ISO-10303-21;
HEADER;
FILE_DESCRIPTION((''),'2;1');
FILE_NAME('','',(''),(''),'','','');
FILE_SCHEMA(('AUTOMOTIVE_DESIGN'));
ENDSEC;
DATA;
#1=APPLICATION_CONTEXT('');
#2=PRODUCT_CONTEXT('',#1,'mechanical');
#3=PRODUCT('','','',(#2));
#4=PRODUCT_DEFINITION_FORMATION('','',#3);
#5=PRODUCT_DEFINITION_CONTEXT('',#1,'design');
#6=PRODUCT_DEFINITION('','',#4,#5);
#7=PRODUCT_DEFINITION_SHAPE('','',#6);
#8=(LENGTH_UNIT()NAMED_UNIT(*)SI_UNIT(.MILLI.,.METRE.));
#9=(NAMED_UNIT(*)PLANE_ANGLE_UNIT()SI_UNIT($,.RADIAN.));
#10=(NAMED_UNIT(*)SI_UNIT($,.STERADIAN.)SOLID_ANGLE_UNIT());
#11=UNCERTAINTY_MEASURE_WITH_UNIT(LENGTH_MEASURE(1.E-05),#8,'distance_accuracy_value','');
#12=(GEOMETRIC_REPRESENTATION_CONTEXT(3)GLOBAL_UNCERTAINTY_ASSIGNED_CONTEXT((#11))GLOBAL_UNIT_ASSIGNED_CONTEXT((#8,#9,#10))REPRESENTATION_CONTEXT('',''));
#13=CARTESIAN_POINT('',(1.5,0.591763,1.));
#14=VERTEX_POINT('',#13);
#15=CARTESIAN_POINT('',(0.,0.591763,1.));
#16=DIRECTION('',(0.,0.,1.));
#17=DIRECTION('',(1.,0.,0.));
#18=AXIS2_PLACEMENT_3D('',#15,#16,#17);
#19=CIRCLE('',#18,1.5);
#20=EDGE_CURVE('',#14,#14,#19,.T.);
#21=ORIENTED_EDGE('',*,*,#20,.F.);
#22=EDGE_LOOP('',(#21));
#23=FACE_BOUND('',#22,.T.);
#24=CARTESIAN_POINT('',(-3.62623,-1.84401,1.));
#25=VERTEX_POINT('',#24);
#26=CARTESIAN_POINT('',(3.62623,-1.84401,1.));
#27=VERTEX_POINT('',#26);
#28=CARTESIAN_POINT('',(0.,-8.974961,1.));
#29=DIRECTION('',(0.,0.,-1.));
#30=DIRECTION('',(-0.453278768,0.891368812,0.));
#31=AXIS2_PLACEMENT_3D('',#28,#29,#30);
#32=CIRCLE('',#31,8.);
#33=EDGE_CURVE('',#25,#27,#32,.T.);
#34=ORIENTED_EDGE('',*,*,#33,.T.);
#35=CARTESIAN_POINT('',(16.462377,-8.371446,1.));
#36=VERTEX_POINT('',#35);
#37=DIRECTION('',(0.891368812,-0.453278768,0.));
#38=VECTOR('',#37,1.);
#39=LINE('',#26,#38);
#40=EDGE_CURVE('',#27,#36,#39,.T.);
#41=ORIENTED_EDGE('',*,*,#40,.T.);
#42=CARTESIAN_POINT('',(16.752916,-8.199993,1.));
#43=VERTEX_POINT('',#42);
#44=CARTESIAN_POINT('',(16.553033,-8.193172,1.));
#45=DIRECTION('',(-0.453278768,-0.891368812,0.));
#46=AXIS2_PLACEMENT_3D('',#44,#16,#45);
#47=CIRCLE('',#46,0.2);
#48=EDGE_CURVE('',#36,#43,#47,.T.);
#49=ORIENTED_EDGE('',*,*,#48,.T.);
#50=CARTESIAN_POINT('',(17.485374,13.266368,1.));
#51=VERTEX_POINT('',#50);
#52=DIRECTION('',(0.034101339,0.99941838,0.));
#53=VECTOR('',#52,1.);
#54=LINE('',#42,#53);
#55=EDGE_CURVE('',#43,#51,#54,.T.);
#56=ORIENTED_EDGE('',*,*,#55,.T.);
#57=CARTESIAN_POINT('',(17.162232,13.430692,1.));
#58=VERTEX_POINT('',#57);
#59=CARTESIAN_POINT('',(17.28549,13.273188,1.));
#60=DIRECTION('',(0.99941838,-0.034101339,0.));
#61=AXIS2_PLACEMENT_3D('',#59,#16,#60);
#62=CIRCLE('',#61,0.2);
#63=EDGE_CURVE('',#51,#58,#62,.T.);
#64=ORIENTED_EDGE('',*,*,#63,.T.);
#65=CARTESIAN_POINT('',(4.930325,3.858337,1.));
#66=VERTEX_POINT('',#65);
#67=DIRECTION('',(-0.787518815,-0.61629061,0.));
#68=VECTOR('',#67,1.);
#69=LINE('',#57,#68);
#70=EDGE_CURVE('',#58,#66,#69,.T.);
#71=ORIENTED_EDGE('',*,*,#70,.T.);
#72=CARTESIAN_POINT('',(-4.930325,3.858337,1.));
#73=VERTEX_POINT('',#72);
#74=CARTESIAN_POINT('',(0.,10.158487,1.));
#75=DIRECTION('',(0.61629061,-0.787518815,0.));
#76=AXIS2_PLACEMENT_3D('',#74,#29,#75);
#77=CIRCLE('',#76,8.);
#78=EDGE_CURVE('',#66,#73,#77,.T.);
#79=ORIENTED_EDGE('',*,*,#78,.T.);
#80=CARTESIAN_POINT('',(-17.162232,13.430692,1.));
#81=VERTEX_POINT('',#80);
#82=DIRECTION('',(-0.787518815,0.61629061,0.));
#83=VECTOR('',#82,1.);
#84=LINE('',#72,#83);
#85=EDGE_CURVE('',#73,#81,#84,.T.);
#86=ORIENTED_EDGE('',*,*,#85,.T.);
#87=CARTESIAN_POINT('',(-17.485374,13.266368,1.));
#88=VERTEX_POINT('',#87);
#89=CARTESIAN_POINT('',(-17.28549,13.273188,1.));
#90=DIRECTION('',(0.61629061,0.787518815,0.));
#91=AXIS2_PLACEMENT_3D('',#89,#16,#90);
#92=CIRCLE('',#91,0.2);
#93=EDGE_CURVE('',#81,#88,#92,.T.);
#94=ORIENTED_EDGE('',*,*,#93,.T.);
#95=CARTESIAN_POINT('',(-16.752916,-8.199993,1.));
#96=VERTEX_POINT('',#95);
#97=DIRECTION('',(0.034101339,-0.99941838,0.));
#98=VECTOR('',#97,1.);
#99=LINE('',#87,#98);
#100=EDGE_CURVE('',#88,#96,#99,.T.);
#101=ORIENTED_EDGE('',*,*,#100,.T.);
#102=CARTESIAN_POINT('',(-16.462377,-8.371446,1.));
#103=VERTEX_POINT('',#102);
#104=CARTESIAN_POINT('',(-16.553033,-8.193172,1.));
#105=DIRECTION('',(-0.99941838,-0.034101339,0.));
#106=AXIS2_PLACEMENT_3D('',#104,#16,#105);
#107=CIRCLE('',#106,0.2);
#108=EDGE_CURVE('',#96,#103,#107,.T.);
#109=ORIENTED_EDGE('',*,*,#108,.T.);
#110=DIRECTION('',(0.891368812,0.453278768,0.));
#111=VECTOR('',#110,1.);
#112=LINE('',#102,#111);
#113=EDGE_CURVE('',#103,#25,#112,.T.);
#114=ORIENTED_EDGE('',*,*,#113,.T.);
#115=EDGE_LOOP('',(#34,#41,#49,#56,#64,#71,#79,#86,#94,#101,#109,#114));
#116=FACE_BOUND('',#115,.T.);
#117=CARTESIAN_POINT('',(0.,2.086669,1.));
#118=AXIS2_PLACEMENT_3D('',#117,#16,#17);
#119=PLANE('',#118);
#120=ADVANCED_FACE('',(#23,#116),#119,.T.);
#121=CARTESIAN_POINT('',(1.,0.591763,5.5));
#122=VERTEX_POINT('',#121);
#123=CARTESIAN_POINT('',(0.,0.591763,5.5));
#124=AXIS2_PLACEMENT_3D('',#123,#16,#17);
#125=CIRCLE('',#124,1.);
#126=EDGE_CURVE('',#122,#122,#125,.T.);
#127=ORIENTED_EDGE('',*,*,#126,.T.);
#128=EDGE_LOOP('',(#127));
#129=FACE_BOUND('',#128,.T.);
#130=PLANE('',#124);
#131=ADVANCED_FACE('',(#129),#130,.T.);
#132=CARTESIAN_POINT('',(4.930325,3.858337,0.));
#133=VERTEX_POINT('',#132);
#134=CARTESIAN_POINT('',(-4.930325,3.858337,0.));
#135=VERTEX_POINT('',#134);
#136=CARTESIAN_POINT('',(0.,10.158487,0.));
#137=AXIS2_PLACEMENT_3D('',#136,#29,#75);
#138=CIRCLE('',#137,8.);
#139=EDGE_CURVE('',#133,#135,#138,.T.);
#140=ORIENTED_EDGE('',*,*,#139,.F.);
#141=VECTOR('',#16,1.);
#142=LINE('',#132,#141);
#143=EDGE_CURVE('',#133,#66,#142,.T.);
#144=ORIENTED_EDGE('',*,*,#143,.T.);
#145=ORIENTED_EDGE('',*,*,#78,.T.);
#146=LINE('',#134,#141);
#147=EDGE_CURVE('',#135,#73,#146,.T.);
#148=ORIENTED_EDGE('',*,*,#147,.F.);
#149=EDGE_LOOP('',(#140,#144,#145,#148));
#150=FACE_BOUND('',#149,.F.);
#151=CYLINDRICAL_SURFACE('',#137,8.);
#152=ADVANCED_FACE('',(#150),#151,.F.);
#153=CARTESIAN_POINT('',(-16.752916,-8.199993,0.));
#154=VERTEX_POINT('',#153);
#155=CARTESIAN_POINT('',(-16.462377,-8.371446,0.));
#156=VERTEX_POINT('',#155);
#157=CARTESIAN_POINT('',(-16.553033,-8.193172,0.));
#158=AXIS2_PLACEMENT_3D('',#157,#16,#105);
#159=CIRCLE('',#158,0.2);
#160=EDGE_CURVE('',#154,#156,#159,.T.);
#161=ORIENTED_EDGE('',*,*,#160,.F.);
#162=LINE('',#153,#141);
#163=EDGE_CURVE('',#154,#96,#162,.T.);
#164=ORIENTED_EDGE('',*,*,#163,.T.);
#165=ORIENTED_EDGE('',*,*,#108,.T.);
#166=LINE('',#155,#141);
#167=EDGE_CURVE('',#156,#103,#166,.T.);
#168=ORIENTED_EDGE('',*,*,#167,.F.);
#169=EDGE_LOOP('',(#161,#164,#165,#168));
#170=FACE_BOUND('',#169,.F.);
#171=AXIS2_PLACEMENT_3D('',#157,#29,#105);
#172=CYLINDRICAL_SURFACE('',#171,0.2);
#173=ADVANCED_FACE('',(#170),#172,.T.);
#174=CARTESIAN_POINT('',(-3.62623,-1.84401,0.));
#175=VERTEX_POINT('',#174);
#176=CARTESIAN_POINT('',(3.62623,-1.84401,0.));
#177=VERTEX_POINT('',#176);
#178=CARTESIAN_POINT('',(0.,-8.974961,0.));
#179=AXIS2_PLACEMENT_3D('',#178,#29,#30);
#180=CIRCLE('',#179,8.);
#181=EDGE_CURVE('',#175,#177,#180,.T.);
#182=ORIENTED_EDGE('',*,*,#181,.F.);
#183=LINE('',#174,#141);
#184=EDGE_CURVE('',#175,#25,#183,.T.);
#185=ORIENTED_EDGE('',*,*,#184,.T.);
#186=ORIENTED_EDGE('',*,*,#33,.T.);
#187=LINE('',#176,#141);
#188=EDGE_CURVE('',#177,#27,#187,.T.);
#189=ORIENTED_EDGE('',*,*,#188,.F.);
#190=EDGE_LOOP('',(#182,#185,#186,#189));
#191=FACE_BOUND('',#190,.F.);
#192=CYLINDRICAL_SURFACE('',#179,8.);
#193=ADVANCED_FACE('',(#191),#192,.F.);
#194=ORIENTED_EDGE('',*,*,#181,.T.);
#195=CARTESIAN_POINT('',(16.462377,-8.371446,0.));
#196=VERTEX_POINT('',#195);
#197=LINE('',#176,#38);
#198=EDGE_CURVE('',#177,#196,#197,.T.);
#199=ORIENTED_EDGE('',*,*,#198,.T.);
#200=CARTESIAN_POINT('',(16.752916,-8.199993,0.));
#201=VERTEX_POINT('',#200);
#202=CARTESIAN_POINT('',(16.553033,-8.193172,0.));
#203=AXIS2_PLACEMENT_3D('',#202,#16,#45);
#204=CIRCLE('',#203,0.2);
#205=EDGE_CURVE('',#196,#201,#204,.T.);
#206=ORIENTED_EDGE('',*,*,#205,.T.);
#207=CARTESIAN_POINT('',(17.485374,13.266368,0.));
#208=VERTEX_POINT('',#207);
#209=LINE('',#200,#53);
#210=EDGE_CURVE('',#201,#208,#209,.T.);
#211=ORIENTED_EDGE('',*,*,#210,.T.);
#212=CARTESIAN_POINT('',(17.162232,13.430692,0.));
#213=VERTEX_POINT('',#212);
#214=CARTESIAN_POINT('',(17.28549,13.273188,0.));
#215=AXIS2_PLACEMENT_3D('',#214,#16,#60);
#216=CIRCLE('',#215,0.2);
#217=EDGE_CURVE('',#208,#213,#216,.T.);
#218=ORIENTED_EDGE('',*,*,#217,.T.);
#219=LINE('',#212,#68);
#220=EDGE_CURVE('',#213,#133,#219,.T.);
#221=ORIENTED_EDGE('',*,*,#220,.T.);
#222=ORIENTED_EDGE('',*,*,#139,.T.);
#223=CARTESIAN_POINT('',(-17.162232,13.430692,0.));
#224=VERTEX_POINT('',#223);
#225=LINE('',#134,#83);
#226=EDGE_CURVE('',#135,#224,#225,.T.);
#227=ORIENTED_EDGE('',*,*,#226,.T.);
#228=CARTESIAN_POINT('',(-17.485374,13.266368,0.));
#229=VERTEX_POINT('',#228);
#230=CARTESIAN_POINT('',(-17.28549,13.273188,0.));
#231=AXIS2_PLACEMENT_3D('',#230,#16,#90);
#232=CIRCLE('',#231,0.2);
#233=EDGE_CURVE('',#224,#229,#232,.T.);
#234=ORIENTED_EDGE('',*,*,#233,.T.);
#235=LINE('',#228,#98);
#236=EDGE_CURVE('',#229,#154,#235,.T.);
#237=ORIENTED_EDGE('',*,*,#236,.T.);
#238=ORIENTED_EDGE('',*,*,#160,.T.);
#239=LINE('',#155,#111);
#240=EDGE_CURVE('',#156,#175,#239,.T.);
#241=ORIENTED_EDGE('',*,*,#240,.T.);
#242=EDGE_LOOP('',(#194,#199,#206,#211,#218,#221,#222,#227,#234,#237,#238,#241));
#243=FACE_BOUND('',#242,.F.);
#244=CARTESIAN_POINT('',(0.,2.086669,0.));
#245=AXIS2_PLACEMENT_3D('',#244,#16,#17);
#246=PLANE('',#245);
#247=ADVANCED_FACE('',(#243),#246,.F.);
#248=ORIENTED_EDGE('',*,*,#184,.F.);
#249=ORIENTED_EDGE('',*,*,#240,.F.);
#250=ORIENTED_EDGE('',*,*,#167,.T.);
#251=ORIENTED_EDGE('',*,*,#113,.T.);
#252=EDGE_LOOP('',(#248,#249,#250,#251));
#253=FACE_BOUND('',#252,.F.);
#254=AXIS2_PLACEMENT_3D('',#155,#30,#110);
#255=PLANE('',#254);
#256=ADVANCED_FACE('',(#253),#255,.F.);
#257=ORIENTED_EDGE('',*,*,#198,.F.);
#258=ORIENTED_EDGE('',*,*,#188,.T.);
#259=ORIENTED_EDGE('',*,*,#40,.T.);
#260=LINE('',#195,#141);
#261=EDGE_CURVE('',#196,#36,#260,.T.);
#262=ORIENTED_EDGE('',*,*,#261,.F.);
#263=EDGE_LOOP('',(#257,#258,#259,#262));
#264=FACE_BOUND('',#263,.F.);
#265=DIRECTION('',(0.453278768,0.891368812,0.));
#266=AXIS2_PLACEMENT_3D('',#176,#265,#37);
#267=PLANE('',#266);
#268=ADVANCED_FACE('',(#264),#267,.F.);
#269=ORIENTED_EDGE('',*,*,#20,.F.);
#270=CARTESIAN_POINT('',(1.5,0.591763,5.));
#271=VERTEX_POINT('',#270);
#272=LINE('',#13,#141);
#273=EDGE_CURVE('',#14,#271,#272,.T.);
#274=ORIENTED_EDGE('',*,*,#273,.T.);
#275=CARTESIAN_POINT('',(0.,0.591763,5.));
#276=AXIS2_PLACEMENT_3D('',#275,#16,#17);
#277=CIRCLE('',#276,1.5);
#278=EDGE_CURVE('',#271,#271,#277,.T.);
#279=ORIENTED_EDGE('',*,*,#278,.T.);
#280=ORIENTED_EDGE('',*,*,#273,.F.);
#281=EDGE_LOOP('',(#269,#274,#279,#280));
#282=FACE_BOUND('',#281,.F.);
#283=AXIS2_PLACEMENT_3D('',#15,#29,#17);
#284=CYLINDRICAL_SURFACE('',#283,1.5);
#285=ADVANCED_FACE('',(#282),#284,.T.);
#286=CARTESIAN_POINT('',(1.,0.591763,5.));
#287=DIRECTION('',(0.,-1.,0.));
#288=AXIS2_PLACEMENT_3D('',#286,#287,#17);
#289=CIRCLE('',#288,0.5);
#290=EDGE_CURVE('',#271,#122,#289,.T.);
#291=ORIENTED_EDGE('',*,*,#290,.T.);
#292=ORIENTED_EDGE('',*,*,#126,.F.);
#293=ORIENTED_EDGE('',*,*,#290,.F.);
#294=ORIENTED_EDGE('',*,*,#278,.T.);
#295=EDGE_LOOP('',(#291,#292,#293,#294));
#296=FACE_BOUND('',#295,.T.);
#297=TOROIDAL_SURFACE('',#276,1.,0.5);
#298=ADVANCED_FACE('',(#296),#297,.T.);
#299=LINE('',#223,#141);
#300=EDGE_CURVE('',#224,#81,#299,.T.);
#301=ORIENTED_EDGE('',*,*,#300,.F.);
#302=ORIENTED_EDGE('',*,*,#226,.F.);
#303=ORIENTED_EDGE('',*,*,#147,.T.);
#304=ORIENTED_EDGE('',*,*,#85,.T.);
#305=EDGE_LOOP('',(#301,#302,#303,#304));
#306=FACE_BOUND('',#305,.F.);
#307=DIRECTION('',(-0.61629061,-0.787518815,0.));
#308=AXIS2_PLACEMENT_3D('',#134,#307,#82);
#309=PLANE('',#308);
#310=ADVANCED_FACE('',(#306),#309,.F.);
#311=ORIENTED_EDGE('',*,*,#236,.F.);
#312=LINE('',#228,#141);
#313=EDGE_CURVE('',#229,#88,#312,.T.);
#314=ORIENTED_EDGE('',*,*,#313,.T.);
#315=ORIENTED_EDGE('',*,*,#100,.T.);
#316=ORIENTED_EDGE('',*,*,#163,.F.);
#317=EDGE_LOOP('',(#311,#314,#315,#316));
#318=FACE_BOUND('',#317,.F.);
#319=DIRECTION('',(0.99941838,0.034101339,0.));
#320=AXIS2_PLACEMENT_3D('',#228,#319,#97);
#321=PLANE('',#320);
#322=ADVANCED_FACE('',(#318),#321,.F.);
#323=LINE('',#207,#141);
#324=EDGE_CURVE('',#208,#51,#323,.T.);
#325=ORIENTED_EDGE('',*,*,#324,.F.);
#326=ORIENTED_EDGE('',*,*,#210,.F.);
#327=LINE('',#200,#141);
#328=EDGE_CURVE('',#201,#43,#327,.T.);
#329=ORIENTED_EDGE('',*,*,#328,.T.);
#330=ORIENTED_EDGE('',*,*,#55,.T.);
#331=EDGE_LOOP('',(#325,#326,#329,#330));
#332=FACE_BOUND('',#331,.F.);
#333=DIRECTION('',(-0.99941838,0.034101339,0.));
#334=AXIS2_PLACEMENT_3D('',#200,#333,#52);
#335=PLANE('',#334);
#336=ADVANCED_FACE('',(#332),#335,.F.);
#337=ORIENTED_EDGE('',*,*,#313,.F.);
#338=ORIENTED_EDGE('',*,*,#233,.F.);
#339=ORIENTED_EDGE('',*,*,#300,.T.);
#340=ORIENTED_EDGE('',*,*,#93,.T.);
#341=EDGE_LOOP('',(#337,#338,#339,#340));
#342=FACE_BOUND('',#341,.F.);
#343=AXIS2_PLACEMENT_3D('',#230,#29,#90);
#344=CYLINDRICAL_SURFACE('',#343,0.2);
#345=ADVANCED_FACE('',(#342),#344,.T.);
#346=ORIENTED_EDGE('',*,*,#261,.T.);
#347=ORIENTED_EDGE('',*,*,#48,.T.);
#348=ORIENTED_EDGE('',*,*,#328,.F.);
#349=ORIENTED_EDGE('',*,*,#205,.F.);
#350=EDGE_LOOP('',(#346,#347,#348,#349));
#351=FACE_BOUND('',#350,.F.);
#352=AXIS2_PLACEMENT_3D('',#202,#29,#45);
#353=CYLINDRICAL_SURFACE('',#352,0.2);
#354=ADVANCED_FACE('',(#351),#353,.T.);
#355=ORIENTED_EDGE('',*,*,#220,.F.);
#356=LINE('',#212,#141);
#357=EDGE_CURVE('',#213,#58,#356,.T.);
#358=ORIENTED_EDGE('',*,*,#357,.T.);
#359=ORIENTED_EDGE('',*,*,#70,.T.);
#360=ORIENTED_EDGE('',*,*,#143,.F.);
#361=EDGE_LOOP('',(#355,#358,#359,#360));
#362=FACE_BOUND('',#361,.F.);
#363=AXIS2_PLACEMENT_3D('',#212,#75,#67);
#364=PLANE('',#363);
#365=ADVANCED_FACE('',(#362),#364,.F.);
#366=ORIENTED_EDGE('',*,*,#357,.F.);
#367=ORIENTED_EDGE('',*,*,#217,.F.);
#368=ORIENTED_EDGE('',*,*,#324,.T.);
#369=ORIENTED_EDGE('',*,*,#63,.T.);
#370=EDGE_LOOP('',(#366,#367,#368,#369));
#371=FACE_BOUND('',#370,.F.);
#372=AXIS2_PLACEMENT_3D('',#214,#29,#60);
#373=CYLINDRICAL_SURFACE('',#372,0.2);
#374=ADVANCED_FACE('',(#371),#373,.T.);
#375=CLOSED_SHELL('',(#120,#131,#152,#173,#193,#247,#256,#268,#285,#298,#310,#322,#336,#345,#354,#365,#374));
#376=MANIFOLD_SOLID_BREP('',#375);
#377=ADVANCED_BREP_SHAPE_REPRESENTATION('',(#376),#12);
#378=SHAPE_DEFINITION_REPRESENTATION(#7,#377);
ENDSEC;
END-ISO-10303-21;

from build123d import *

# Parameters (mm, degrees)
F3_DEPTH = 1
F4_R     = 1.5
F5_DEPTH = 4.5
F6_R     = 0.5


with BuildPart() as f3:
    # F2 (on Top) → F3 (new body)
    with BuildSketch(Plane.XY):
        with BuildLine():
            Line((17.1622320903, 13.4306918032), (4.9303248829, 3.8583369368))
            ThreePointArc((4.9303248829, 3.8583369368), (0, 2.1584874548), (-4.9303248829, 3.8583369368))
            Line((-4.9303248829, 3.8583369368), (-17.1622320903, 13.4306918032))
            ThreePointArc((-17.1622320903, 13.4306918032), (-17.376145966, 13.4514618026), (-17.4853738885, 13.2663677724))
            Line((-17.4853738885, 13.2663677724), (-16.7529162453, -8.1999925091))
            ThreePointArc((-16.7529162453, -8.1999925091), (-16.6546778346, -8.3654169511), (-16.4623768157, -8.3714460037))
            Line((-16.4623768157, -8.3714460037), (-3.6262301421, -1.8440101433))
            ThreePointArc((-3.6262301421, -1.8440101433), (0, -0.9749606379), (3.6262301421, -1.8440101433))
            Line((3.6262301421, -1.8440101433), (16.4623768157, -8.3714460037))
            ThreePointArc((16.4623768157, -8.3714460037), (16.6546778346, -8.3654169511), (16.7529162453, -8.1999925091))
            Line((16.7529162453, -8.1999925091), (17.4853738885, 13.2663677724))
            ThreePointArc((17.4853738885, 13.2663677724), (17.376145966, 13.4514618026), (17.1622320903, 13.4306918032))
        make_face()
    extrude(amount=F3_DEPTH)

    # F4 (on face) → F5 (join)
    with BuildSketch(Plane.XY.offset(1)):
        with Locations((0, 0.5917634084)):
            Circle(F4_R)
    extrude(amount=F5_DEPTH)

    # F6
    f6_edges = [f3.edges().sort_by_distance(p)[0] for p in [
        (-1.5, 0.591763, 5.5),
    ]]
    fillet(f6_edges, radius=F6_R)


solid = f3.part
